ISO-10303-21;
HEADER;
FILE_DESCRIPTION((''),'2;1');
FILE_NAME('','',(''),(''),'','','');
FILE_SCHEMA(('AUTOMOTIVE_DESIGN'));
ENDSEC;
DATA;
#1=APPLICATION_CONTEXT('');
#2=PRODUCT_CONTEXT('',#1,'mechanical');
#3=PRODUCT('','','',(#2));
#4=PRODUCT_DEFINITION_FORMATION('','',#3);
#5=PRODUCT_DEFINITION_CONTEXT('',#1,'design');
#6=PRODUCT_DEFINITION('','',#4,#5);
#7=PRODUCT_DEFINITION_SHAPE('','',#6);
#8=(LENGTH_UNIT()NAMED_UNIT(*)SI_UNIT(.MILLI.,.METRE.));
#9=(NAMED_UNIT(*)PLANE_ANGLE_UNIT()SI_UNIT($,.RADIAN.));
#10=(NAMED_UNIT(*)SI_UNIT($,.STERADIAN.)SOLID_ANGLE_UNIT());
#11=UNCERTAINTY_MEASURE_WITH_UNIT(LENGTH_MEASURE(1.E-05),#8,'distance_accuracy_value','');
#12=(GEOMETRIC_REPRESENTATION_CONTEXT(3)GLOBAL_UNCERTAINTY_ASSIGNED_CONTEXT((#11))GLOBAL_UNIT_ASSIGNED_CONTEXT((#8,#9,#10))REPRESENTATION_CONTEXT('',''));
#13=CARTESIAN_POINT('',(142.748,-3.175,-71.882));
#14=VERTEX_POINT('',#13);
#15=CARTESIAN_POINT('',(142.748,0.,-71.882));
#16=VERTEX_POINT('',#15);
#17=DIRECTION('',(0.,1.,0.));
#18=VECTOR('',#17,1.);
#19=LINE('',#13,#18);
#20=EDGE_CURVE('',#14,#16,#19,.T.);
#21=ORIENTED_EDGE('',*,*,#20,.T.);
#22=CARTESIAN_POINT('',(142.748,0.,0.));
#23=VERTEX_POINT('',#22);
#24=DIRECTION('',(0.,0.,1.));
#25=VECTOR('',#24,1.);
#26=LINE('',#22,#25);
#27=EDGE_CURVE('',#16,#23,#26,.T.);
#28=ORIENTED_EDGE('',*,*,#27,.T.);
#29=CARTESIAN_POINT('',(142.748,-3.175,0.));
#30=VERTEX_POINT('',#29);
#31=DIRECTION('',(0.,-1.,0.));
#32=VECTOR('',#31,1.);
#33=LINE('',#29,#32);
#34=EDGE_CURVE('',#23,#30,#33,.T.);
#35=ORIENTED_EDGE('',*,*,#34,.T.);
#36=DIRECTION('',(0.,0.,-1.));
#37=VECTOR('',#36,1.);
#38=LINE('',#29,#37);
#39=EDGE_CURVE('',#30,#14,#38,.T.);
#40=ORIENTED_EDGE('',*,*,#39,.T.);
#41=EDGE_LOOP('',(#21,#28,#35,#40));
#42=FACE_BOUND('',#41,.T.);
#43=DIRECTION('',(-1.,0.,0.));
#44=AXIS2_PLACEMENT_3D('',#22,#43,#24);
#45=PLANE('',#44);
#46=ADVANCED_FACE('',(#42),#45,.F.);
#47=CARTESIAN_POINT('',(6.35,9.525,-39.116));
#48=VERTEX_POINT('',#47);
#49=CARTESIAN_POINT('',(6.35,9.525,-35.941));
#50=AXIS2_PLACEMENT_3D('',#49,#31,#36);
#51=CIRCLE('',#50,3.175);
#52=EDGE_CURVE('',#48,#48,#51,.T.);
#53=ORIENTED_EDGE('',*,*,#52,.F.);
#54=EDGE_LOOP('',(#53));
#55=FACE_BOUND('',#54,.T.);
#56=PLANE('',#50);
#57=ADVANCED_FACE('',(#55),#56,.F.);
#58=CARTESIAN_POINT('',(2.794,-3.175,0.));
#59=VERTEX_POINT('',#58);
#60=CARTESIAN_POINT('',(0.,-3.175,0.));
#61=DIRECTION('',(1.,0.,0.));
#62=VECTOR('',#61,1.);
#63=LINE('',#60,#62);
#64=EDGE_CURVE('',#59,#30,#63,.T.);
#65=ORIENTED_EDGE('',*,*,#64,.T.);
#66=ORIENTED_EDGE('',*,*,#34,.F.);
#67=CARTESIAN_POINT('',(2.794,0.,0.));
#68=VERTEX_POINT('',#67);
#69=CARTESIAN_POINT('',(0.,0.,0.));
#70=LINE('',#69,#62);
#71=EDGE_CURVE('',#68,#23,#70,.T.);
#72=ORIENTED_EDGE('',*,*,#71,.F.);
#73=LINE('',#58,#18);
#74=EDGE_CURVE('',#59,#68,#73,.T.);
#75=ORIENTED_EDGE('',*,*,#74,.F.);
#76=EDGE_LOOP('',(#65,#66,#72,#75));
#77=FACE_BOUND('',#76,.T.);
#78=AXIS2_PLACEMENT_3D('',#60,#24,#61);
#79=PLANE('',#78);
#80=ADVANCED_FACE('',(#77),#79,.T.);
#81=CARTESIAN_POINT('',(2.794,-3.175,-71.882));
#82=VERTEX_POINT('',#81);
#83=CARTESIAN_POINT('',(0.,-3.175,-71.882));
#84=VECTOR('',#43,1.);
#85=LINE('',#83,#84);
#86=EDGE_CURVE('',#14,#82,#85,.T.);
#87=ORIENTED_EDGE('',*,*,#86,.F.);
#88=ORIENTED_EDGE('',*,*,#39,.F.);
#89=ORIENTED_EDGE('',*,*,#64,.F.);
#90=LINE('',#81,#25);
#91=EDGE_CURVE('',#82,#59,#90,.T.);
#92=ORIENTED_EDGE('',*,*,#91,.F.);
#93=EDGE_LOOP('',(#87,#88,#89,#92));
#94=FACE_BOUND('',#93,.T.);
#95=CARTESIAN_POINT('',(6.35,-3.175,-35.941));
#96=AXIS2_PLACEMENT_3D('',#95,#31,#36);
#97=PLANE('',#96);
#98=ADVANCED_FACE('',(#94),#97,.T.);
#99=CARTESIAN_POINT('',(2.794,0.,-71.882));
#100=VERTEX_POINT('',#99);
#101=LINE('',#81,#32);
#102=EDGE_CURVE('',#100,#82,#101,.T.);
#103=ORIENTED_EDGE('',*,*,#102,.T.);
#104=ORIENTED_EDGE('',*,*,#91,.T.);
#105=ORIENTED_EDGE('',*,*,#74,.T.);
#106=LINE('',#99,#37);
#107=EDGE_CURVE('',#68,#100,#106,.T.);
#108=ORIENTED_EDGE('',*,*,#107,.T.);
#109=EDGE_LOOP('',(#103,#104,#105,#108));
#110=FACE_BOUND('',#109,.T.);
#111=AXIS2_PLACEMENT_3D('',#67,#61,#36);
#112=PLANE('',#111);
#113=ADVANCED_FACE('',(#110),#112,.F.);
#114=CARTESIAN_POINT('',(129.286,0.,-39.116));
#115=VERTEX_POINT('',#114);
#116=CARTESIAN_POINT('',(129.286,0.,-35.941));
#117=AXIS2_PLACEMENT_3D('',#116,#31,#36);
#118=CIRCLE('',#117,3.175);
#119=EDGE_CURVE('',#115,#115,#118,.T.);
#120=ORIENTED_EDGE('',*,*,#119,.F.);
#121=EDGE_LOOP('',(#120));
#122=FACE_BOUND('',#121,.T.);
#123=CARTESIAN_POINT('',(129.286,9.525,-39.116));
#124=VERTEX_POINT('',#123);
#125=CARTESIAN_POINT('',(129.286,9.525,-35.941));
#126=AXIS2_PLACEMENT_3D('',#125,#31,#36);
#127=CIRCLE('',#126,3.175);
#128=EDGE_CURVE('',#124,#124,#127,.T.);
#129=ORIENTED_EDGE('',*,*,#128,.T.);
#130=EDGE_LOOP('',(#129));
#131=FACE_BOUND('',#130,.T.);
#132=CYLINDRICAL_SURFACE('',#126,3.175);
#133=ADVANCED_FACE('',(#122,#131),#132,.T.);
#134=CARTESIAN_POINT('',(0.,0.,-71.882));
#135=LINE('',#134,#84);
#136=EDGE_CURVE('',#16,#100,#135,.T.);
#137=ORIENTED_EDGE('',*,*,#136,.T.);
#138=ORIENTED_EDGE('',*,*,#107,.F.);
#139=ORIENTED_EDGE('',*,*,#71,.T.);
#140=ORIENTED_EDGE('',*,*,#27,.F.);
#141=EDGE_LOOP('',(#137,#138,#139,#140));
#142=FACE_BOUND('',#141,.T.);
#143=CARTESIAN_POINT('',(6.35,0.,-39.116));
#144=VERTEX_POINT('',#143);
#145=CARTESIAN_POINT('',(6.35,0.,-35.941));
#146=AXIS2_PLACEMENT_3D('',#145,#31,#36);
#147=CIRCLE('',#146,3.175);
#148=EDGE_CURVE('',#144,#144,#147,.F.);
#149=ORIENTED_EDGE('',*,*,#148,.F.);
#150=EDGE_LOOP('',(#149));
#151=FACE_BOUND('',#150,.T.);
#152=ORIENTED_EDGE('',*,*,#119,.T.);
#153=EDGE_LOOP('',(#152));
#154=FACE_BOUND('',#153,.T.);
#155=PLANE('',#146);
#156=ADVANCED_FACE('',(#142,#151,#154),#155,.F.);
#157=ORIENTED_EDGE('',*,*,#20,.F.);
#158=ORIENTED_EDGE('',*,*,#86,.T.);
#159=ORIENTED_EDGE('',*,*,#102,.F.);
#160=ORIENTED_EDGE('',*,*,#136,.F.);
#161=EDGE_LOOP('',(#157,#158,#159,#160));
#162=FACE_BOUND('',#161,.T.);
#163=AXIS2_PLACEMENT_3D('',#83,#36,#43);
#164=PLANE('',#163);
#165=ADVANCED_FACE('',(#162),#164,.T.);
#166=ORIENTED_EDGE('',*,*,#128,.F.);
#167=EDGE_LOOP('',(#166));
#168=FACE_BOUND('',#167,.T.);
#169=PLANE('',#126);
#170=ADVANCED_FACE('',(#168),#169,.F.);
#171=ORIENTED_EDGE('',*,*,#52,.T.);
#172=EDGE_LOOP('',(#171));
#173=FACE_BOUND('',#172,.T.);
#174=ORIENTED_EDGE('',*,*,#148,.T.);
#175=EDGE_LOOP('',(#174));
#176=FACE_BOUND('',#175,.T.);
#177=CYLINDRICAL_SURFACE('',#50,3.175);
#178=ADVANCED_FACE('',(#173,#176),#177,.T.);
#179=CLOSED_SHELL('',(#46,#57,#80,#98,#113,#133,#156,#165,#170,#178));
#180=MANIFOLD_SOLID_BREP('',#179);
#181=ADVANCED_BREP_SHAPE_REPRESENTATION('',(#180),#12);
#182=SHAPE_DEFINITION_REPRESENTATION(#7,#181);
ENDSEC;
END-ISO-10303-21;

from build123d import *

# Parameters (mm, degrees)
SKETCH1_W             = 139.954
SKETCH1_H             = 71.882
SKETCH1_R             = 4.191
BOSS_EXTRUDE1_DEPTH   = 3.175
SKETCH2_R             = 3.175
BOSS_EXTRUDE4_DEPTH   = 12.7
BOSS_EXTRUDE4_2_DEPTH = 12.7
SKETCH1_7_R           = 4.191
BOSS_EXTRUDE5_DEPTH   = 3.175
BOSS_EXTRUDE6_START   = -3.175
SKETCH14_R            = 4.191
BOSS_EXTRUDE6_DEPTH   = 3.175
SKETCH15_W            = 71.882
SKETCH15_H            = 3.175
CUT_EXTRUDE1_DEPTH    = 2.794
SKETCH16_W            = 71.882
SKETCH16_H            = 3.175
BOSS_EXTRUDE7_DEPTH   = 2.794


with BuildPart() as part:
    # Sketch1 → Boss-Extrude1 (new body)
    with BuildSketch(Plane(origin=(0, 0, 0), x_dir=(1, 0, 0), z_dir=(0, 1, 0))):
        with Locations((69.977, 35.941)):
            Rectangle(SKETCH1_W, SKETCH1_H)
        with Locations((6.35, 35.941)):
            Circle(SKETCH1_R, mode=Mode.SUBTRACT)
        with Locations((129.286, 35.941)):
            Circle(SKETCH1_R, mode=Mode.SUBTRACT)
    extrude(amount=-BOSS_EXTRUDE1_DEPTH)



with BuildPart() as body_2:
    # Sketch2 → Boss-Extrude4 (new body)
    with BuildSketch(Plane.XZ.offset(3.175)):
        with Locations((6.35, -35.941)):
            Circle(SKETCH2_R)
    extrude(amount=-BOSS_EXTRUDE4_DEPTH)


with BuildPart() as body_3:
    # Sketch2 → Boss-Extrude4 2 (new body)
    with BuildSketch(Plane.XZ.offset(3.175)):
        with Locations((129.286, -35.941)):
            Circle(SKETCH2_R)
    extrude(amount=-BOSS_EXTRUDE4_2_DEPTH)


with BuildPart() as part_1:
    add(part.part)

    add(body_3.part)  # Boss-Extrude5 merges body 3
    # Sketch1<7> → Boss-Extrude5 (add)
    with BuildSketch(Plane(origin=(0, 0, 0), x_dir=(1, 0, 0), z_dir=(0, 1, 0))):
        with Locations((129.286, 35.941)):
            Circle(SKETCH1_7_R)
    extrude(amount=-BOSS_EXTRUDE5_DEPTH)


    add(body_2.part)  # Boss-Extrude6 merges body 2
    # Sketch14 → Boss-Extrude6 (add)
    with BuildSketch(Plane.XZ.offset(3.175).offset(BOSS_EXTRUDE6_START)):
        with Locations((6.35, -35.941)):
            Circle(SKETCH14_R)
    extrude(amount=BOSS_EXTRUDE6_DEPTH)

    # Sketch15 → Cut-Extrude1 (cut)
    with BuildSketch(Plane.ZY):
        with Locations((-35.941, -1.5875)):
            Rectangle(SKETCH15_W, SKETCH15_H)
    extrude(amount=-CUT_EXTRUDE1_DEPTH, mode=Mode.SUBTRACT)

    # Sketch16 → Boss-Extrude7 (add)
    with BuildSketch(Plane(origin=(139.954, 0, 0), x_dir=(0, 0, -1), z_dir=(1, 0, 0))):
        with Locations((35.941, -1.5875)):
            Rectangle(SKETCH16_W, SKETCH16_H)
    extrude(amount=BOSS_EXTRUDE7_DEPTH)


solid = part_1.part
